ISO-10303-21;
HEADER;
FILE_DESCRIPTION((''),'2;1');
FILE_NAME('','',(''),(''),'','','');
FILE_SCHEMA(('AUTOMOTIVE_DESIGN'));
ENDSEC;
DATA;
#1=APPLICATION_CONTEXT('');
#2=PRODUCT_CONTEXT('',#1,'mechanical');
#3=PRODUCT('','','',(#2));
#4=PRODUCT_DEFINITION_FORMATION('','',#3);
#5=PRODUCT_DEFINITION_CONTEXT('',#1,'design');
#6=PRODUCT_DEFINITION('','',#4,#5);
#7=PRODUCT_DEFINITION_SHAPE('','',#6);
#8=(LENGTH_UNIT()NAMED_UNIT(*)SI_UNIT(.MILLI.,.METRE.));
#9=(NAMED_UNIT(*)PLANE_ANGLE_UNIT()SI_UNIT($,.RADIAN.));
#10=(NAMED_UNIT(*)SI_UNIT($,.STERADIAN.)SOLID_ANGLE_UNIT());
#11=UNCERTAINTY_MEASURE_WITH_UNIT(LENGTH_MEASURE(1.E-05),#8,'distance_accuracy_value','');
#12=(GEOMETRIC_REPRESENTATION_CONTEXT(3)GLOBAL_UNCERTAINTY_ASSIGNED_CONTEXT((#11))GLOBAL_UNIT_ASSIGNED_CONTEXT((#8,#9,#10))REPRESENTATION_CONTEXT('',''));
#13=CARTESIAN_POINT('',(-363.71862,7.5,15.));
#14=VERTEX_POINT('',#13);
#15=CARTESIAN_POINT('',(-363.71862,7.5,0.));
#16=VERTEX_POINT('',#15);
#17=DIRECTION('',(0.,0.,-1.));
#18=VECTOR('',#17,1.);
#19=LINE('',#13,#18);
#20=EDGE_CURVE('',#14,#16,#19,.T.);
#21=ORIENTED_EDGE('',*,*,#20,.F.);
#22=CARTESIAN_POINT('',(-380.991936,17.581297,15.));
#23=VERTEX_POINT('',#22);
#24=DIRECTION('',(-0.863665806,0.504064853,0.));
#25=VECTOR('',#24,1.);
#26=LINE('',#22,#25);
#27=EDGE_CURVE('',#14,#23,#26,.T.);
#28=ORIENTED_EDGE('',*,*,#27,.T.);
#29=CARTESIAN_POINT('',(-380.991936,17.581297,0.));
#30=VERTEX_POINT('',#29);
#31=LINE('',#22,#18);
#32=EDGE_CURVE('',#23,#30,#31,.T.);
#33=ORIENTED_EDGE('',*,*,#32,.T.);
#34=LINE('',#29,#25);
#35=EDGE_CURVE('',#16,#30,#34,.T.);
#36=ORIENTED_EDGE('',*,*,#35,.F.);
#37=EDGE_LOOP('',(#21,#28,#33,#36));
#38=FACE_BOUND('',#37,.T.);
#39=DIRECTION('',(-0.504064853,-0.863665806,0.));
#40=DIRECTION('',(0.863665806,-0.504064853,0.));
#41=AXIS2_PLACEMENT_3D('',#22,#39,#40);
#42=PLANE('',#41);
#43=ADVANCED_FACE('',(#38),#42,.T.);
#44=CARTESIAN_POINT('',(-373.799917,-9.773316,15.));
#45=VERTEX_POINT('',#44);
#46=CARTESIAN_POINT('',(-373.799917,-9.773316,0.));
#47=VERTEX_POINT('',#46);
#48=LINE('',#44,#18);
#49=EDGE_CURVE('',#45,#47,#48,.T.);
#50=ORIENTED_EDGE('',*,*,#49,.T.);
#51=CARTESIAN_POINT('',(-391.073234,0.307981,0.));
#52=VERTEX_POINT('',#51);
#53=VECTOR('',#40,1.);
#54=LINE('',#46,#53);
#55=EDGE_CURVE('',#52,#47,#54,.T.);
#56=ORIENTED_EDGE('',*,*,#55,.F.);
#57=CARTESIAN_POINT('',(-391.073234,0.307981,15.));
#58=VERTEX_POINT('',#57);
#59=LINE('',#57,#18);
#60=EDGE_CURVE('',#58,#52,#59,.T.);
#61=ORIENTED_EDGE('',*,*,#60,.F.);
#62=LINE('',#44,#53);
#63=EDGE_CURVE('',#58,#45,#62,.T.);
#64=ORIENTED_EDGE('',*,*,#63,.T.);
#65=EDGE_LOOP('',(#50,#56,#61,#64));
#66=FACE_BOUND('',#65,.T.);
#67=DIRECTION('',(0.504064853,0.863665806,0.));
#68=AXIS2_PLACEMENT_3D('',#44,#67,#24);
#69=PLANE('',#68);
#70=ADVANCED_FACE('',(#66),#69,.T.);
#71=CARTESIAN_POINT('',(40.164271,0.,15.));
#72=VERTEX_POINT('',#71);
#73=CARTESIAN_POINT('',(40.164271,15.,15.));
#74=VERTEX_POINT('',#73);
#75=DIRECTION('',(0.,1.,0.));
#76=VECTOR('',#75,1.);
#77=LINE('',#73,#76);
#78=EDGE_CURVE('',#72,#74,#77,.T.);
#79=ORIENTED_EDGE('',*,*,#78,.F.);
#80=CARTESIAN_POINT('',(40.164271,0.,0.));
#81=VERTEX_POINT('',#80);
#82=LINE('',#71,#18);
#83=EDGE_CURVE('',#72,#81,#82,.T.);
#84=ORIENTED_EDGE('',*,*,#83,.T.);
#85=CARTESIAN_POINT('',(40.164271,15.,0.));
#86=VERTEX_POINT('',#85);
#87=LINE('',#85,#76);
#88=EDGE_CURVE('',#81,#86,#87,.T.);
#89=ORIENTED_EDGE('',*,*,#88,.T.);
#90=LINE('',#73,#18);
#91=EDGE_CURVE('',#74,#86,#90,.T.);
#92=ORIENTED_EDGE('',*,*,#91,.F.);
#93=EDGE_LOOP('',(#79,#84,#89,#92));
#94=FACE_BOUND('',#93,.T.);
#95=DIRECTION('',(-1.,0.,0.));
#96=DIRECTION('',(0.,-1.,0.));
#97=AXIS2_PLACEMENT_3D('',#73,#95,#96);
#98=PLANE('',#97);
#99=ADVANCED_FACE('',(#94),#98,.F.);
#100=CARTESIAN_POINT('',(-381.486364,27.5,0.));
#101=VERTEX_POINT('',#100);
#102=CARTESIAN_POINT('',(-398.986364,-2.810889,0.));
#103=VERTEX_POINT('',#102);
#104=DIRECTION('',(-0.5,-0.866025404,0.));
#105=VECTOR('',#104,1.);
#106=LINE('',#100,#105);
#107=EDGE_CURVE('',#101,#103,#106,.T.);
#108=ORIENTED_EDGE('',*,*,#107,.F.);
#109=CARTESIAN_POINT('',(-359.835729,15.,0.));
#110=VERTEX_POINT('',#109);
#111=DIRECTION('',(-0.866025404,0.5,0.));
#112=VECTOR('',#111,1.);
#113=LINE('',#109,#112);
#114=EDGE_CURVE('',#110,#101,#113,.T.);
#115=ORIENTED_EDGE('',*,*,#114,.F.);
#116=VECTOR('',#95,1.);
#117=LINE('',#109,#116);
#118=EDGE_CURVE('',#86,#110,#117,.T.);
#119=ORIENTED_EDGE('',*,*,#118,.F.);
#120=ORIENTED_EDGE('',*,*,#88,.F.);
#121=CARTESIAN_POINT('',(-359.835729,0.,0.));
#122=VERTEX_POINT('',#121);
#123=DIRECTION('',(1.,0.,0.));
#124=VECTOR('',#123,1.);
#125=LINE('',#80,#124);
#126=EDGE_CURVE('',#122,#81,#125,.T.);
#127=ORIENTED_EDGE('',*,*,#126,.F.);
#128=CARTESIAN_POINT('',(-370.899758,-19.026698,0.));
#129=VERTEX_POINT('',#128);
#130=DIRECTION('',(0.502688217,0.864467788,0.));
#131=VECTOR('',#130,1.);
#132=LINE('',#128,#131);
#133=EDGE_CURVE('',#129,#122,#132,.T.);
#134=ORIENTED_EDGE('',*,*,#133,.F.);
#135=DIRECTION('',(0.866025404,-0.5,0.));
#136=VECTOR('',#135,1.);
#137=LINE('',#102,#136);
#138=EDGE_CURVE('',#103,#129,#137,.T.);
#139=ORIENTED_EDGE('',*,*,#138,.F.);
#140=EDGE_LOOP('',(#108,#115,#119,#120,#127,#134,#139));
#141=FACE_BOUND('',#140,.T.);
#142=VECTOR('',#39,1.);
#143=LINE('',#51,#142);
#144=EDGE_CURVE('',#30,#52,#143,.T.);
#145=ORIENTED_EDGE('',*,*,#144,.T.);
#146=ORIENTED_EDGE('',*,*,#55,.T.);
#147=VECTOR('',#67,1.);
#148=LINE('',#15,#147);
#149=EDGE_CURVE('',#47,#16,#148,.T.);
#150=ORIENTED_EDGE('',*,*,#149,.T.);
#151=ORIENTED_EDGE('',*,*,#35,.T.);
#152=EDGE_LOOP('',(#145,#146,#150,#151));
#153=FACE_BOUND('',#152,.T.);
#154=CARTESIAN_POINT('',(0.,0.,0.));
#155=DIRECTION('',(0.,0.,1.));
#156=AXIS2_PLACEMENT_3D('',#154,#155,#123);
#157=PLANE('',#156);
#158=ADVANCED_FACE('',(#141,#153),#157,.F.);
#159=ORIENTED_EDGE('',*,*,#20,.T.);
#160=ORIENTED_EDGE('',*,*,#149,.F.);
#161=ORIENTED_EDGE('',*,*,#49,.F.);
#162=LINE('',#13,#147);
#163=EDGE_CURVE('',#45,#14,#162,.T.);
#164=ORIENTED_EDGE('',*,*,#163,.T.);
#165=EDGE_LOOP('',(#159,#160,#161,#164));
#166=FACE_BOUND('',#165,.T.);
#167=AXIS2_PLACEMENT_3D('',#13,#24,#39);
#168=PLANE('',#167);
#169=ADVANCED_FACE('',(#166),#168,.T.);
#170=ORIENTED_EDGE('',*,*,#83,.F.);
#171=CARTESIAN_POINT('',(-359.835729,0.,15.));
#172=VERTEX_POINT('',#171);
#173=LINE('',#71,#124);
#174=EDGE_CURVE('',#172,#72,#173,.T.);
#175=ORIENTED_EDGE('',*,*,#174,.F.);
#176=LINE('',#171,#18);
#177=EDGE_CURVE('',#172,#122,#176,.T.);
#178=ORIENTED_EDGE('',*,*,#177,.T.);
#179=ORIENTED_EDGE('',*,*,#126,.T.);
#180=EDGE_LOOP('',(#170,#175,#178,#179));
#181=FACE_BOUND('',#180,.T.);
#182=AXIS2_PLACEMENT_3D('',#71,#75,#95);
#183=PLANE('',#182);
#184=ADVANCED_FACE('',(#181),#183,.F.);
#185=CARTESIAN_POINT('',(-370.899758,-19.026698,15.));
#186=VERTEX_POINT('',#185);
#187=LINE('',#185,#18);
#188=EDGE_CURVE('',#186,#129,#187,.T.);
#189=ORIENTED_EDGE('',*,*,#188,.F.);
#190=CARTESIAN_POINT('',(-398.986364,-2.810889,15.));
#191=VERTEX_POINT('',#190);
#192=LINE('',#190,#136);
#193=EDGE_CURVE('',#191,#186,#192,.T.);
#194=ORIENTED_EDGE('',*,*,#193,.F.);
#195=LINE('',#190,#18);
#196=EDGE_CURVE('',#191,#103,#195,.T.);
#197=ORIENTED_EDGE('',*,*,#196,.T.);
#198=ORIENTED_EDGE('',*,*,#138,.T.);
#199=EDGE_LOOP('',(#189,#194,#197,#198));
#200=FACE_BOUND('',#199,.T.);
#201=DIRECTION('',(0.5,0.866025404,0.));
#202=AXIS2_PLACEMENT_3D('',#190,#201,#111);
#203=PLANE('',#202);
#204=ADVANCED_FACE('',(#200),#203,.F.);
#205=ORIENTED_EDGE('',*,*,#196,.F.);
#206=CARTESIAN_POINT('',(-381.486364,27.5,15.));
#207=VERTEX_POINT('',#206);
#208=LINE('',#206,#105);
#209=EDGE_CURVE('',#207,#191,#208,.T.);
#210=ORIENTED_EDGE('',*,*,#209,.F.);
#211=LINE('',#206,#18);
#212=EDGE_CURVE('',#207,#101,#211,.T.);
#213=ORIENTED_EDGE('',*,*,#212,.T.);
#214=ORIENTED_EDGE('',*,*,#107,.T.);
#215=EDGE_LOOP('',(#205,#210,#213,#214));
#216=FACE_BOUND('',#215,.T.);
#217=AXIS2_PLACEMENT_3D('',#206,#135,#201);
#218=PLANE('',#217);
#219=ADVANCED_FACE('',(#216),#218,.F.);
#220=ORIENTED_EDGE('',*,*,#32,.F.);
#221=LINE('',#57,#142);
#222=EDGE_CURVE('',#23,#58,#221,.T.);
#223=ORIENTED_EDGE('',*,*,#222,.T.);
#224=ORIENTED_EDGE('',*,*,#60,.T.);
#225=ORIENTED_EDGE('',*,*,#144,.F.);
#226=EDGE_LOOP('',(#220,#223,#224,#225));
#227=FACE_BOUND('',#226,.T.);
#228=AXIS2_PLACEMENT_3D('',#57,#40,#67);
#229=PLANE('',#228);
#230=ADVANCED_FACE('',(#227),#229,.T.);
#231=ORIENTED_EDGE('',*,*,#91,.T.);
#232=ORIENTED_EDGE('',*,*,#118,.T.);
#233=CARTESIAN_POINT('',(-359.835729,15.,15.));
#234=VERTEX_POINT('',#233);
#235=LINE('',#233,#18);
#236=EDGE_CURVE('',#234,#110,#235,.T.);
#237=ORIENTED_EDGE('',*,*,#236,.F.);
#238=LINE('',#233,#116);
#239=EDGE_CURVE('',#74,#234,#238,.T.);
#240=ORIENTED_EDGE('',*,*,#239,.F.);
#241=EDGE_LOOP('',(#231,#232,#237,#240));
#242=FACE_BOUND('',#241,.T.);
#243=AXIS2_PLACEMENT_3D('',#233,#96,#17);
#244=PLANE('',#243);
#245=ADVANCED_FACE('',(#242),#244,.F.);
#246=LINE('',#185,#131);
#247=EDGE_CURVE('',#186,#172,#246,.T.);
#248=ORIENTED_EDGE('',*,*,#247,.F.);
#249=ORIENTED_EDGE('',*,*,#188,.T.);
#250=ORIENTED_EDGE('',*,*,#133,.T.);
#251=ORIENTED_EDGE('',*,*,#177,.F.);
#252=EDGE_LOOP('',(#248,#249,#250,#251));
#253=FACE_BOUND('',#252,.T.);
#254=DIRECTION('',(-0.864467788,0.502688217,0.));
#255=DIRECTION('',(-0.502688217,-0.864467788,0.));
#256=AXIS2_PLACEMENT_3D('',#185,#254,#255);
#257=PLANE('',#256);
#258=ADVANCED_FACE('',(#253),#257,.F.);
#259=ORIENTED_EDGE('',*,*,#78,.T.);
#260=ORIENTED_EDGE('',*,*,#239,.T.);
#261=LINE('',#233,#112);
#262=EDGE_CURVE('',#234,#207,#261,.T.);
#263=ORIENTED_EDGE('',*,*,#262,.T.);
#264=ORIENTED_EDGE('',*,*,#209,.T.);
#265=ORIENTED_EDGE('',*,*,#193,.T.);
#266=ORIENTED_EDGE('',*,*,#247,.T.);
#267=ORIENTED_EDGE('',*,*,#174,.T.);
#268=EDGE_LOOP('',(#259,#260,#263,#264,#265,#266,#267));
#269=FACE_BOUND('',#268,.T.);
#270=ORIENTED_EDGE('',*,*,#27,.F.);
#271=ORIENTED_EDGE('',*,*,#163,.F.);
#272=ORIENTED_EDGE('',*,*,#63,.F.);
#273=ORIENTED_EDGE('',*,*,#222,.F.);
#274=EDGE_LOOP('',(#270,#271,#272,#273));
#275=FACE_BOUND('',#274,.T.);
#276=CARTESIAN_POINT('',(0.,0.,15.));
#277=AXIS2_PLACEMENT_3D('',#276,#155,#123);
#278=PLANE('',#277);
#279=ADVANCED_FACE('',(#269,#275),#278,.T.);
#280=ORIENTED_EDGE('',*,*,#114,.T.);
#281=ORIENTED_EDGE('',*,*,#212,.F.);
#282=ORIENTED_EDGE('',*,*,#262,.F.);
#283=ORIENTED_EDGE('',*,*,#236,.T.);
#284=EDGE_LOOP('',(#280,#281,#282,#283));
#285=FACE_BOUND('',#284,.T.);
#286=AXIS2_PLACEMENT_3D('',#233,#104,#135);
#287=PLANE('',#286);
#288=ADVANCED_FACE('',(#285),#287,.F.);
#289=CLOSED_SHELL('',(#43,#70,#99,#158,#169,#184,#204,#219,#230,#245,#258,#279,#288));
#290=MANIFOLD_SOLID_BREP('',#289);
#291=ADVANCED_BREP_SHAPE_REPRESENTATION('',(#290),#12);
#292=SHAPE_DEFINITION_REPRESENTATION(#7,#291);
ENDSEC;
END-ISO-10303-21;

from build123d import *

# Parameters (mm, degrees)
EXTRUDE_2_DEPTH = 15


with BuildPart() as part:
    # 草图2 → 凸台-拉伸2 (new body)
    with BuildSketch(Plane.XY):
        Polygon((-359.835728953, 15), (40.164271047, 15), (40.164271047, 0), (-359.835728953, 0), (-370.899758445, -19.026698438), (-398.986364047, -2.810889132), (-381.486364047, 27.5), align=None)
        Polygon((-373.799917415, -9.77331612), (-391.073233535, 0.307980932), (-380.991936484, 17.581297051), (-363.718620364, 7.5), align=None, mode=Mode.SUBTRACT)
    extrude(amount=EXTRUDE_2_DEPTH)


solid = part.part
